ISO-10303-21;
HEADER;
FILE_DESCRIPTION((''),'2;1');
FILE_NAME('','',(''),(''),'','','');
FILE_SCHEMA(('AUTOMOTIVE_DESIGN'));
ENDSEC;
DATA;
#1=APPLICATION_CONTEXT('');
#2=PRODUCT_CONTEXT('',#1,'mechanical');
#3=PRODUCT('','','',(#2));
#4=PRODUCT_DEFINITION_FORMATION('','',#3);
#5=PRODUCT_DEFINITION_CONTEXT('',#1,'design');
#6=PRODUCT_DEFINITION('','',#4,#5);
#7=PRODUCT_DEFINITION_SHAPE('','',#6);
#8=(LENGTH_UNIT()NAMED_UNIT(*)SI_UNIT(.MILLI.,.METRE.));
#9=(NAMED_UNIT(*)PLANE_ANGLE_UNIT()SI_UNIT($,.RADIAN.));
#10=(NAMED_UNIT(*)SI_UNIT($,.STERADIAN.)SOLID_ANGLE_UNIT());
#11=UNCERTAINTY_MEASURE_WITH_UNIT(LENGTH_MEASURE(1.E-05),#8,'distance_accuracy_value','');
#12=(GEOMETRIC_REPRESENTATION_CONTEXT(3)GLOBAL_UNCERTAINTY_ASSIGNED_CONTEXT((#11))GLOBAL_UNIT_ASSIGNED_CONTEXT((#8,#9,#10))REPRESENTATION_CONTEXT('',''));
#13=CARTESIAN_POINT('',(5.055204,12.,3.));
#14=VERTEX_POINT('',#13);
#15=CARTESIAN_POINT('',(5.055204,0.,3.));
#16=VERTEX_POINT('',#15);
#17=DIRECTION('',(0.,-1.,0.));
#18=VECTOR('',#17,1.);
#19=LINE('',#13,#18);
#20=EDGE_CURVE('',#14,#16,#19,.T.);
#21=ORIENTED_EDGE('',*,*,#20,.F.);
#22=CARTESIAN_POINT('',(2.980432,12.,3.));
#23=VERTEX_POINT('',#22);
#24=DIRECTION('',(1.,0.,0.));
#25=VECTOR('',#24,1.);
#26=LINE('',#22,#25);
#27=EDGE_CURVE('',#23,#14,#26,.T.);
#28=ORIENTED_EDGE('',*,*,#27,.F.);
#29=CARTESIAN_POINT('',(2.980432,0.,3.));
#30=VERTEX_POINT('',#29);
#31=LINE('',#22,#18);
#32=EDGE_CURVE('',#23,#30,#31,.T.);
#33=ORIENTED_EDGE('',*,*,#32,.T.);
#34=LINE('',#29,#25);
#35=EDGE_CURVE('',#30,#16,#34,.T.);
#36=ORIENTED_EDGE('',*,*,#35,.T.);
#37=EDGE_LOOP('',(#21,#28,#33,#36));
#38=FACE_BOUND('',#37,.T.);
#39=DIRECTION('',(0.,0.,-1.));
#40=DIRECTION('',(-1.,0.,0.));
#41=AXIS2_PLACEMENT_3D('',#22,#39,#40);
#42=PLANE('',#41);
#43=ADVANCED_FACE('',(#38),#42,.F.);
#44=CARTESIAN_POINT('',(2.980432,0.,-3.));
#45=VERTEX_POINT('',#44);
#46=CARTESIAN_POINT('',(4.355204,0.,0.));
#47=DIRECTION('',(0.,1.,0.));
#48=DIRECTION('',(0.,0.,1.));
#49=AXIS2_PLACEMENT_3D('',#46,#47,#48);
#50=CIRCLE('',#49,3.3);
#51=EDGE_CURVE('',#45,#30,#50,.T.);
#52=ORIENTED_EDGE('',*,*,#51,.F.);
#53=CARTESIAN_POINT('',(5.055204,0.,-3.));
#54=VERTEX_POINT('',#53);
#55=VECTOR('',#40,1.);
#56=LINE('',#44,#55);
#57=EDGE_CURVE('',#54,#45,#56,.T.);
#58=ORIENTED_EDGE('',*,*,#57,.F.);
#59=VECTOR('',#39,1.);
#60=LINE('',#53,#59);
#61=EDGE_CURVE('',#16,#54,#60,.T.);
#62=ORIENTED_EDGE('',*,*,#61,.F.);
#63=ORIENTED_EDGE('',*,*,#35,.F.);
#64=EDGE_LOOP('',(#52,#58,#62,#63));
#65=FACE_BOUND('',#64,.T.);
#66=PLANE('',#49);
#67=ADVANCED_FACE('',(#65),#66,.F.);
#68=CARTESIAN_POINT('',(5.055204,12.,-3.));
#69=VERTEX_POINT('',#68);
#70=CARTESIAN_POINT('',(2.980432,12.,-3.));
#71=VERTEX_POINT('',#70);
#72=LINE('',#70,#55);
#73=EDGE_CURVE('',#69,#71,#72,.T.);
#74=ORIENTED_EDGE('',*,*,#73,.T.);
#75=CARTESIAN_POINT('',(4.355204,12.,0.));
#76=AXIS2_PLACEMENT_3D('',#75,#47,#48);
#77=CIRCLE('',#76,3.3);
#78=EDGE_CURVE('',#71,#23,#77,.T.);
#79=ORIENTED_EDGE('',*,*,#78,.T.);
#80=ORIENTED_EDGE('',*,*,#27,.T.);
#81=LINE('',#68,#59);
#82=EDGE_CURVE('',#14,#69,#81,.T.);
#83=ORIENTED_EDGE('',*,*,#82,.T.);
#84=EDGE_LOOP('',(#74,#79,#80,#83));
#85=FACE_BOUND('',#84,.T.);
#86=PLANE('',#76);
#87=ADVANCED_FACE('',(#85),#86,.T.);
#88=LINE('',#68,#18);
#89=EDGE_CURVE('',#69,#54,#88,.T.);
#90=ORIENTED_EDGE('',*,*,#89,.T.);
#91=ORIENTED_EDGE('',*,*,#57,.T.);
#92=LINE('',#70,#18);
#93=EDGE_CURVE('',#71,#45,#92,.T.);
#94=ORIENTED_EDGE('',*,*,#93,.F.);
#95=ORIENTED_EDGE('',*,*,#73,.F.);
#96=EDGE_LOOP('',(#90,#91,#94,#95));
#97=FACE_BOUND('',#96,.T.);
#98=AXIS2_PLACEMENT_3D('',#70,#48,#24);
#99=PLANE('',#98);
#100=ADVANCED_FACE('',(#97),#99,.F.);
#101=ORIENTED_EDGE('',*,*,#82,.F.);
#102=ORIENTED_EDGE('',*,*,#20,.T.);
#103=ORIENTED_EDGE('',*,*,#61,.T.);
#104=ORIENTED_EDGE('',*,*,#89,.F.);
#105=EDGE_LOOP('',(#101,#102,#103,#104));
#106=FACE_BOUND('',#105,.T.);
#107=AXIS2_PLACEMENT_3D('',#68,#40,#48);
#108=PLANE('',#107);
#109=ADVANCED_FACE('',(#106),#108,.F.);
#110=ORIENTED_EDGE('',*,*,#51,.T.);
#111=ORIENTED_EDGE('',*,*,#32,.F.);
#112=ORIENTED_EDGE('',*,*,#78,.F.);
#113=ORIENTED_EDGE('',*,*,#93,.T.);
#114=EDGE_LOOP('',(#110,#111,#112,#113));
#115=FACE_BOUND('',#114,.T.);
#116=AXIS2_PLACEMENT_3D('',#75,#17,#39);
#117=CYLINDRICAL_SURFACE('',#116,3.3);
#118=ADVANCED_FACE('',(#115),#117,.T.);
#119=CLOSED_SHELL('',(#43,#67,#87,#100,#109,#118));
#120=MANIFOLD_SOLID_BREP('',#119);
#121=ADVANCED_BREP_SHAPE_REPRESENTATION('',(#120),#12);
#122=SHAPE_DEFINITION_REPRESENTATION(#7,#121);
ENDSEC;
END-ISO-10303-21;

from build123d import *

# Parameters (mm, degrees)
EXTRUDE_1_DEPTH = 12


with BuildPart() as part:
    # 草图1 → 凸台-拉伸1 (new body)
    with BuildSketch(Plane(origin=(0, 0, 0), x_dir=(1, 0, 0), z_dir=(0, 1, 0))):
        with BuildLine():
            Line((2.980431626, 3), (5.055204335, 3))
            Line((5.055204335, 3), (5.055204335, -3))
            Line((5.055204335, -3), (2.980431626, -3))
            ThreePointArc((2.980431626, -3), (1.055204335, 0), (2.980431626, 3))
        make_face()
    extrude(amount=EXTRUDE_1_DEPTH)


solid = part.part
